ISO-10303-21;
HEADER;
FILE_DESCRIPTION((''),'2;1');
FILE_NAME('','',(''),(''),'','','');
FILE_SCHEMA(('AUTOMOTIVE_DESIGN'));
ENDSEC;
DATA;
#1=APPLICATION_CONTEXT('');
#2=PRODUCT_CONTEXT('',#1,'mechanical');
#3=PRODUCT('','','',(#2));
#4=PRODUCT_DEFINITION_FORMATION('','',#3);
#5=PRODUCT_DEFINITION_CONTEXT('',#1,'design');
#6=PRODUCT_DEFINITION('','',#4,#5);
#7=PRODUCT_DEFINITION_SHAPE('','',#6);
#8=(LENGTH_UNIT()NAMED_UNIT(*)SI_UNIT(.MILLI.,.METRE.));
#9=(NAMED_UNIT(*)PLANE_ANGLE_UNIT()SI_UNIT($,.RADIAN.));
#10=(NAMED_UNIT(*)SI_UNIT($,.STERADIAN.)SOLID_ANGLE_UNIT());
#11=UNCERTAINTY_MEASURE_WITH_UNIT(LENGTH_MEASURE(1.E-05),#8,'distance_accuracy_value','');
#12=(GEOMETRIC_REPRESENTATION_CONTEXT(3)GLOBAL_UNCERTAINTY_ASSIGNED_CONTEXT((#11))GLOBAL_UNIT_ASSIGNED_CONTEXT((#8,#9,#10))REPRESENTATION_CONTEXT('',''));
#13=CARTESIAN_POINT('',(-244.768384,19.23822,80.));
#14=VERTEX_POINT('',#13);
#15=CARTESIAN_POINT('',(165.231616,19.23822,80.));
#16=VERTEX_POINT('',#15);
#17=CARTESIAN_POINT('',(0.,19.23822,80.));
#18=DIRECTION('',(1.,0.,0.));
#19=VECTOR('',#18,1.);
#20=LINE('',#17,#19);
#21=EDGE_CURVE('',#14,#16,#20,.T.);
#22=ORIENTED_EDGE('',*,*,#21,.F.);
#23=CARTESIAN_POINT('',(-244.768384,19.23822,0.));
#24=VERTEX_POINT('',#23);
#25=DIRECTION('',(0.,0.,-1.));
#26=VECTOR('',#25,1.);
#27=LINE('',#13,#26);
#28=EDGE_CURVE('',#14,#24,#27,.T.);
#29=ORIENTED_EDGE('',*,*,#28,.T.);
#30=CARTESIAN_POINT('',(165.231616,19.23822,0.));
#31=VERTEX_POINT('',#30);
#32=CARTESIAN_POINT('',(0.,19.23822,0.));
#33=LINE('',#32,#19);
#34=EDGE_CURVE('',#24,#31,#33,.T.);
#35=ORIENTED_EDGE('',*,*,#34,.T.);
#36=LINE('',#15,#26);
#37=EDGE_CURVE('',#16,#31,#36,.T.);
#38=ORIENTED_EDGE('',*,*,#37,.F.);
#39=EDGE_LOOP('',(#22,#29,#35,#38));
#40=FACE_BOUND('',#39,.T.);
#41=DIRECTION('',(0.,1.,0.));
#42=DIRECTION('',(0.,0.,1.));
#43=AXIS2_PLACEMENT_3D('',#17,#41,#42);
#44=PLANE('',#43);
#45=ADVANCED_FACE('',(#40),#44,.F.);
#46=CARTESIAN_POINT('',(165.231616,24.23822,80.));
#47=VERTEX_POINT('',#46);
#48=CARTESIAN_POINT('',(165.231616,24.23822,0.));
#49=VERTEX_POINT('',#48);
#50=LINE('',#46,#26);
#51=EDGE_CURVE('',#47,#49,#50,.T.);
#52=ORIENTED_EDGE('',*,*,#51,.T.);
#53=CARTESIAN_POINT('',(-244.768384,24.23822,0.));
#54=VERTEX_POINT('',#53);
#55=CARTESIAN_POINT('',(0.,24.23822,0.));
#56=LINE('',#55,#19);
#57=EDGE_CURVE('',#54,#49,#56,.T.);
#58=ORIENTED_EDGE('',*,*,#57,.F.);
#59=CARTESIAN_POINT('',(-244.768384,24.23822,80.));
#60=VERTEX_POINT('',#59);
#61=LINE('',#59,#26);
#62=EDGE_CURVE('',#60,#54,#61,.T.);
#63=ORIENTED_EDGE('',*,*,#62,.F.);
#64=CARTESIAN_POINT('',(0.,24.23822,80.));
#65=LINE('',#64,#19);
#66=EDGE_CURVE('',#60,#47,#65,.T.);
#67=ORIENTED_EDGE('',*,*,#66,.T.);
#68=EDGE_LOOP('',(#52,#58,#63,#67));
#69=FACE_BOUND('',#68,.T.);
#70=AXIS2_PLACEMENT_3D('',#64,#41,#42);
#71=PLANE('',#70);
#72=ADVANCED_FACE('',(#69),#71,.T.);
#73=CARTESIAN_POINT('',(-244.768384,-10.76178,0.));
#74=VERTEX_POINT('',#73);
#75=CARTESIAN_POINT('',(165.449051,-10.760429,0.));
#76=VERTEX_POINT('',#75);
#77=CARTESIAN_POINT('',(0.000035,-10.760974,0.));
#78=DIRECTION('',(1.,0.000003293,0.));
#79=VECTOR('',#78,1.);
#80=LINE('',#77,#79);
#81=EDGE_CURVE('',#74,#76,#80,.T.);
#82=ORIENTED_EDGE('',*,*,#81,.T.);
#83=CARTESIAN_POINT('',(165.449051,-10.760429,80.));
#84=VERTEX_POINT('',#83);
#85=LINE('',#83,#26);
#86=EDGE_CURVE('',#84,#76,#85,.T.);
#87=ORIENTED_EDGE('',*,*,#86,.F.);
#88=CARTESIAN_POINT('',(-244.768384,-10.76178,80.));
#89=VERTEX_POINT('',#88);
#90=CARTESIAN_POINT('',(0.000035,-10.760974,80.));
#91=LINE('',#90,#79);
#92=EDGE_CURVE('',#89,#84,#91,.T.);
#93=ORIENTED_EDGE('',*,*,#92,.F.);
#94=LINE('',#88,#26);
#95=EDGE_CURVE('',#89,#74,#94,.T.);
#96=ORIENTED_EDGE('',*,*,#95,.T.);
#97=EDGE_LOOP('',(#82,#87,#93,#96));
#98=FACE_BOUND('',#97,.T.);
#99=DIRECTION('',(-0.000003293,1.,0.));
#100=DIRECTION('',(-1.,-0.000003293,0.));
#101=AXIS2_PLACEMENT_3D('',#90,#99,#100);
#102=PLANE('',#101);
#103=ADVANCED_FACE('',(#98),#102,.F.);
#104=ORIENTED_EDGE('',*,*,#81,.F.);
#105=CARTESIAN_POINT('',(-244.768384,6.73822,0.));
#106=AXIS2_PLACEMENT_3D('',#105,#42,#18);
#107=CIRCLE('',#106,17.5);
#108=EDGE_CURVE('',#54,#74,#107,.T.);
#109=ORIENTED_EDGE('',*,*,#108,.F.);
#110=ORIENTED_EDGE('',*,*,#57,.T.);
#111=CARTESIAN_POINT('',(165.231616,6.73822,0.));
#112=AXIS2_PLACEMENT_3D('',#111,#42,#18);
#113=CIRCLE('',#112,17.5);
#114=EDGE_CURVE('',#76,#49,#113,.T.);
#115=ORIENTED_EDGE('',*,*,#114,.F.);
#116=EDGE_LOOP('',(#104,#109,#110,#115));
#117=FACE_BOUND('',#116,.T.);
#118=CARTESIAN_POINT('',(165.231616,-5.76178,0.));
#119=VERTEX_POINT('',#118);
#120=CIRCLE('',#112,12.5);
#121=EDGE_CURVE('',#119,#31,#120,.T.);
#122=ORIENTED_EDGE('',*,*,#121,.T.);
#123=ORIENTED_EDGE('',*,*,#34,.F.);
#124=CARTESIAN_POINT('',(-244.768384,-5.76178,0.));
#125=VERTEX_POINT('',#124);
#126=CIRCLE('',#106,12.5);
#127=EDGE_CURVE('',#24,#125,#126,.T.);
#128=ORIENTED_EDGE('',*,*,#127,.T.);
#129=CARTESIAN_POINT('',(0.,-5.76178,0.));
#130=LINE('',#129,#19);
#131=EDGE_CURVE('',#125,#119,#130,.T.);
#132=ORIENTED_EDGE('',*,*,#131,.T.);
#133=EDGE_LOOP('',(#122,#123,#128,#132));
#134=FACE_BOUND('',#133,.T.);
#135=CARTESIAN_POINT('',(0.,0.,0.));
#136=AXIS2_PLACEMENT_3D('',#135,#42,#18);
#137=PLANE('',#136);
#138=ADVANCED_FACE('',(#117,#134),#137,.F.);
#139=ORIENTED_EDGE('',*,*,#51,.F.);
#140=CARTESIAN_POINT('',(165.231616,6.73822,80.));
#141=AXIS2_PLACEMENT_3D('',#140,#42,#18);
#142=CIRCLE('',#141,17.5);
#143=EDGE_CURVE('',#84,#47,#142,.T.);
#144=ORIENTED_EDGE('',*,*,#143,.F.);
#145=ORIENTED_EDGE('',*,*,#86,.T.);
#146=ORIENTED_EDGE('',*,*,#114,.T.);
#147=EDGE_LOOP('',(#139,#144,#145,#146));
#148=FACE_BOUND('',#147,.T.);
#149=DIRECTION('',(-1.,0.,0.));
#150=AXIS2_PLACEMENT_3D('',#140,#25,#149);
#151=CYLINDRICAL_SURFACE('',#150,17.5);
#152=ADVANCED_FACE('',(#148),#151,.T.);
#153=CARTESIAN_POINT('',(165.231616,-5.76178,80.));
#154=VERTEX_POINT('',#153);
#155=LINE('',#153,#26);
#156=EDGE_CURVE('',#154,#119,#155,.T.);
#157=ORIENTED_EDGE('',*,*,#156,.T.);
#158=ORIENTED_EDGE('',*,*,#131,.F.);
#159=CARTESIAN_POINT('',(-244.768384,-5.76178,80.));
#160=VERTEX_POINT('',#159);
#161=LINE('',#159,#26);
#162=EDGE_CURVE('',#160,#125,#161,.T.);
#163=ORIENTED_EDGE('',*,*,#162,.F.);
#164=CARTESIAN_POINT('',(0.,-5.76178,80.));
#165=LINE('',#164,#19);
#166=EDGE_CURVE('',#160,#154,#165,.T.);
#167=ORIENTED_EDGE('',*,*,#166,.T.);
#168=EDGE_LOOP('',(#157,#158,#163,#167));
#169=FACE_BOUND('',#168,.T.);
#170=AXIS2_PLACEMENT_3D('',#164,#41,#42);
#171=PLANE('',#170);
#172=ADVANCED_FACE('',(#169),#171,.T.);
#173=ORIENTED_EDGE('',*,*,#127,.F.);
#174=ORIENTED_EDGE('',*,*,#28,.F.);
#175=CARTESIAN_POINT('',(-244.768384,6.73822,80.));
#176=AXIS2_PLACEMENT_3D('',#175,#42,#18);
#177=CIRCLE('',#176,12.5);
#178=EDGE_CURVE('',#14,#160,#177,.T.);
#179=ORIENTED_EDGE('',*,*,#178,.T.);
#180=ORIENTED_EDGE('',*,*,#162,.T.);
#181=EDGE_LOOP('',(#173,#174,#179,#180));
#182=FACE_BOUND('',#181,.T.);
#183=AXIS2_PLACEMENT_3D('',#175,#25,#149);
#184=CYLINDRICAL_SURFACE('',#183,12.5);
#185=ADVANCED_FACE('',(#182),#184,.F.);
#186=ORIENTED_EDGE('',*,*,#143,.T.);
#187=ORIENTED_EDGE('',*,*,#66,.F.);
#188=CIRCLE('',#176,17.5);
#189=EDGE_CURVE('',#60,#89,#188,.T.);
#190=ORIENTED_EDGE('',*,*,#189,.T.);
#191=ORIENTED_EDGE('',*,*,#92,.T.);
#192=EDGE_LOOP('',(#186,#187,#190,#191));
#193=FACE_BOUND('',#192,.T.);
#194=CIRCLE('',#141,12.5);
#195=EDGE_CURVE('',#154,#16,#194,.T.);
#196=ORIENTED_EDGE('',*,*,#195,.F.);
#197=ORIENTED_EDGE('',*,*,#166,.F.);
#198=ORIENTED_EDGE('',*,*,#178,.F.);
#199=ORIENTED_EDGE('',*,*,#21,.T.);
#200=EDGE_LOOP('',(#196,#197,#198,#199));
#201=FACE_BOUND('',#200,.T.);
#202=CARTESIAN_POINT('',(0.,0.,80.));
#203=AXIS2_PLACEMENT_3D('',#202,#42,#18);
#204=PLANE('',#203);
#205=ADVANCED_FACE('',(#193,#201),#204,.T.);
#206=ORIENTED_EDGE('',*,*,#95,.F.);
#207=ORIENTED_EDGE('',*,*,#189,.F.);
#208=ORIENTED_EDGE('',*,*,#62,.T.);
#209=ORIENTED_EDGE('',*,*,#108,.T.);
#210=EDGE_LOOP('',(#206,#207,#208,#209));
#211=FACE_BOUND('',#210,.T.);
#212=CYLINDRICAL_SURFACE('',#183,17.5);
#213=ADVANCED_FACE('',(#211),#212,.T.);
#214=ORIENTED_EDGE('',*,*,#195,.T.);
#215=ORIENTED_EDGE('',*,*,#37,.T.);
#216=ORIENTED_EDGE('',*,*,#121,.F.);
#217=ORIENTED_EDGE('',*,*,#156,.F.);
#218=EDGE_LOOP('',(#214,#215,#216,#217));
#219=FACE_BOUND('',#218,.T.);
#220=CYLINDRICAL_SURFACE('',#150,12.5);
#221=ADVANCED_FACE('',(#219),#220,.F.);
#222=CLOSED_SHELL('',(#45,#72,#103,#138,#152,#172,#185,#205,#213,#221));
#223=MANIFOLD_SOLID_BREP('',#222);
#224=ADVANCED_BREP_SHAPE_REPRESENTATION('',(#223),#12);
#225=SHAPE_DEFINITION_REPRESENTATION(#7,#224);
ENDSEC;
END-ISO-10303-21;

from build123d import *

# Parameters (mm, degrees)
BOSS_EXTRUDE1_DEPTH = 80


with BuildPart() as part:
    # Sketch1 → Boss-Extrude1 (new body)
    with BuildSketch(Plane.XY):
        with BuildLine():
            Line((-244.768384079, -10.761779925), (165.449051275, -10.760429069))
            ThreePointArc((165.449051275, -10.760429069), (182.731278203, 6.84693985), (165.231615921, 24.238220075))
            Line((165.231615921, 24.238220075), (-244.768384079, 24.238220075))
            ThreePointArc((-244.768384079, 24.238220075), (-262.268384079, 6.738220075), (-244.768384079, -10.761779925))
        make_face()
        with BuildLine():
            ThreePointArc((165.231615921, -5.761779925), (177.731615921, 6.738220075), (165.231615921, 19.238220075))
            Line((165.231615921, 19.238220075), (-244.768384079, 19.238220075))
            ThreePointArc((-244.768384079, 19.238220075), (-257.268384079, 6.738220075), (-244.768384079, -5.761779925))
            Line((-244.768384079, -5.761779925), (165.231615921, -5.761779925))
        make_face(mode=Mode.SUBTRACT)
    extrude(amount=BOSS_EXTRUDE1_DEPTH)


solid = part.part
